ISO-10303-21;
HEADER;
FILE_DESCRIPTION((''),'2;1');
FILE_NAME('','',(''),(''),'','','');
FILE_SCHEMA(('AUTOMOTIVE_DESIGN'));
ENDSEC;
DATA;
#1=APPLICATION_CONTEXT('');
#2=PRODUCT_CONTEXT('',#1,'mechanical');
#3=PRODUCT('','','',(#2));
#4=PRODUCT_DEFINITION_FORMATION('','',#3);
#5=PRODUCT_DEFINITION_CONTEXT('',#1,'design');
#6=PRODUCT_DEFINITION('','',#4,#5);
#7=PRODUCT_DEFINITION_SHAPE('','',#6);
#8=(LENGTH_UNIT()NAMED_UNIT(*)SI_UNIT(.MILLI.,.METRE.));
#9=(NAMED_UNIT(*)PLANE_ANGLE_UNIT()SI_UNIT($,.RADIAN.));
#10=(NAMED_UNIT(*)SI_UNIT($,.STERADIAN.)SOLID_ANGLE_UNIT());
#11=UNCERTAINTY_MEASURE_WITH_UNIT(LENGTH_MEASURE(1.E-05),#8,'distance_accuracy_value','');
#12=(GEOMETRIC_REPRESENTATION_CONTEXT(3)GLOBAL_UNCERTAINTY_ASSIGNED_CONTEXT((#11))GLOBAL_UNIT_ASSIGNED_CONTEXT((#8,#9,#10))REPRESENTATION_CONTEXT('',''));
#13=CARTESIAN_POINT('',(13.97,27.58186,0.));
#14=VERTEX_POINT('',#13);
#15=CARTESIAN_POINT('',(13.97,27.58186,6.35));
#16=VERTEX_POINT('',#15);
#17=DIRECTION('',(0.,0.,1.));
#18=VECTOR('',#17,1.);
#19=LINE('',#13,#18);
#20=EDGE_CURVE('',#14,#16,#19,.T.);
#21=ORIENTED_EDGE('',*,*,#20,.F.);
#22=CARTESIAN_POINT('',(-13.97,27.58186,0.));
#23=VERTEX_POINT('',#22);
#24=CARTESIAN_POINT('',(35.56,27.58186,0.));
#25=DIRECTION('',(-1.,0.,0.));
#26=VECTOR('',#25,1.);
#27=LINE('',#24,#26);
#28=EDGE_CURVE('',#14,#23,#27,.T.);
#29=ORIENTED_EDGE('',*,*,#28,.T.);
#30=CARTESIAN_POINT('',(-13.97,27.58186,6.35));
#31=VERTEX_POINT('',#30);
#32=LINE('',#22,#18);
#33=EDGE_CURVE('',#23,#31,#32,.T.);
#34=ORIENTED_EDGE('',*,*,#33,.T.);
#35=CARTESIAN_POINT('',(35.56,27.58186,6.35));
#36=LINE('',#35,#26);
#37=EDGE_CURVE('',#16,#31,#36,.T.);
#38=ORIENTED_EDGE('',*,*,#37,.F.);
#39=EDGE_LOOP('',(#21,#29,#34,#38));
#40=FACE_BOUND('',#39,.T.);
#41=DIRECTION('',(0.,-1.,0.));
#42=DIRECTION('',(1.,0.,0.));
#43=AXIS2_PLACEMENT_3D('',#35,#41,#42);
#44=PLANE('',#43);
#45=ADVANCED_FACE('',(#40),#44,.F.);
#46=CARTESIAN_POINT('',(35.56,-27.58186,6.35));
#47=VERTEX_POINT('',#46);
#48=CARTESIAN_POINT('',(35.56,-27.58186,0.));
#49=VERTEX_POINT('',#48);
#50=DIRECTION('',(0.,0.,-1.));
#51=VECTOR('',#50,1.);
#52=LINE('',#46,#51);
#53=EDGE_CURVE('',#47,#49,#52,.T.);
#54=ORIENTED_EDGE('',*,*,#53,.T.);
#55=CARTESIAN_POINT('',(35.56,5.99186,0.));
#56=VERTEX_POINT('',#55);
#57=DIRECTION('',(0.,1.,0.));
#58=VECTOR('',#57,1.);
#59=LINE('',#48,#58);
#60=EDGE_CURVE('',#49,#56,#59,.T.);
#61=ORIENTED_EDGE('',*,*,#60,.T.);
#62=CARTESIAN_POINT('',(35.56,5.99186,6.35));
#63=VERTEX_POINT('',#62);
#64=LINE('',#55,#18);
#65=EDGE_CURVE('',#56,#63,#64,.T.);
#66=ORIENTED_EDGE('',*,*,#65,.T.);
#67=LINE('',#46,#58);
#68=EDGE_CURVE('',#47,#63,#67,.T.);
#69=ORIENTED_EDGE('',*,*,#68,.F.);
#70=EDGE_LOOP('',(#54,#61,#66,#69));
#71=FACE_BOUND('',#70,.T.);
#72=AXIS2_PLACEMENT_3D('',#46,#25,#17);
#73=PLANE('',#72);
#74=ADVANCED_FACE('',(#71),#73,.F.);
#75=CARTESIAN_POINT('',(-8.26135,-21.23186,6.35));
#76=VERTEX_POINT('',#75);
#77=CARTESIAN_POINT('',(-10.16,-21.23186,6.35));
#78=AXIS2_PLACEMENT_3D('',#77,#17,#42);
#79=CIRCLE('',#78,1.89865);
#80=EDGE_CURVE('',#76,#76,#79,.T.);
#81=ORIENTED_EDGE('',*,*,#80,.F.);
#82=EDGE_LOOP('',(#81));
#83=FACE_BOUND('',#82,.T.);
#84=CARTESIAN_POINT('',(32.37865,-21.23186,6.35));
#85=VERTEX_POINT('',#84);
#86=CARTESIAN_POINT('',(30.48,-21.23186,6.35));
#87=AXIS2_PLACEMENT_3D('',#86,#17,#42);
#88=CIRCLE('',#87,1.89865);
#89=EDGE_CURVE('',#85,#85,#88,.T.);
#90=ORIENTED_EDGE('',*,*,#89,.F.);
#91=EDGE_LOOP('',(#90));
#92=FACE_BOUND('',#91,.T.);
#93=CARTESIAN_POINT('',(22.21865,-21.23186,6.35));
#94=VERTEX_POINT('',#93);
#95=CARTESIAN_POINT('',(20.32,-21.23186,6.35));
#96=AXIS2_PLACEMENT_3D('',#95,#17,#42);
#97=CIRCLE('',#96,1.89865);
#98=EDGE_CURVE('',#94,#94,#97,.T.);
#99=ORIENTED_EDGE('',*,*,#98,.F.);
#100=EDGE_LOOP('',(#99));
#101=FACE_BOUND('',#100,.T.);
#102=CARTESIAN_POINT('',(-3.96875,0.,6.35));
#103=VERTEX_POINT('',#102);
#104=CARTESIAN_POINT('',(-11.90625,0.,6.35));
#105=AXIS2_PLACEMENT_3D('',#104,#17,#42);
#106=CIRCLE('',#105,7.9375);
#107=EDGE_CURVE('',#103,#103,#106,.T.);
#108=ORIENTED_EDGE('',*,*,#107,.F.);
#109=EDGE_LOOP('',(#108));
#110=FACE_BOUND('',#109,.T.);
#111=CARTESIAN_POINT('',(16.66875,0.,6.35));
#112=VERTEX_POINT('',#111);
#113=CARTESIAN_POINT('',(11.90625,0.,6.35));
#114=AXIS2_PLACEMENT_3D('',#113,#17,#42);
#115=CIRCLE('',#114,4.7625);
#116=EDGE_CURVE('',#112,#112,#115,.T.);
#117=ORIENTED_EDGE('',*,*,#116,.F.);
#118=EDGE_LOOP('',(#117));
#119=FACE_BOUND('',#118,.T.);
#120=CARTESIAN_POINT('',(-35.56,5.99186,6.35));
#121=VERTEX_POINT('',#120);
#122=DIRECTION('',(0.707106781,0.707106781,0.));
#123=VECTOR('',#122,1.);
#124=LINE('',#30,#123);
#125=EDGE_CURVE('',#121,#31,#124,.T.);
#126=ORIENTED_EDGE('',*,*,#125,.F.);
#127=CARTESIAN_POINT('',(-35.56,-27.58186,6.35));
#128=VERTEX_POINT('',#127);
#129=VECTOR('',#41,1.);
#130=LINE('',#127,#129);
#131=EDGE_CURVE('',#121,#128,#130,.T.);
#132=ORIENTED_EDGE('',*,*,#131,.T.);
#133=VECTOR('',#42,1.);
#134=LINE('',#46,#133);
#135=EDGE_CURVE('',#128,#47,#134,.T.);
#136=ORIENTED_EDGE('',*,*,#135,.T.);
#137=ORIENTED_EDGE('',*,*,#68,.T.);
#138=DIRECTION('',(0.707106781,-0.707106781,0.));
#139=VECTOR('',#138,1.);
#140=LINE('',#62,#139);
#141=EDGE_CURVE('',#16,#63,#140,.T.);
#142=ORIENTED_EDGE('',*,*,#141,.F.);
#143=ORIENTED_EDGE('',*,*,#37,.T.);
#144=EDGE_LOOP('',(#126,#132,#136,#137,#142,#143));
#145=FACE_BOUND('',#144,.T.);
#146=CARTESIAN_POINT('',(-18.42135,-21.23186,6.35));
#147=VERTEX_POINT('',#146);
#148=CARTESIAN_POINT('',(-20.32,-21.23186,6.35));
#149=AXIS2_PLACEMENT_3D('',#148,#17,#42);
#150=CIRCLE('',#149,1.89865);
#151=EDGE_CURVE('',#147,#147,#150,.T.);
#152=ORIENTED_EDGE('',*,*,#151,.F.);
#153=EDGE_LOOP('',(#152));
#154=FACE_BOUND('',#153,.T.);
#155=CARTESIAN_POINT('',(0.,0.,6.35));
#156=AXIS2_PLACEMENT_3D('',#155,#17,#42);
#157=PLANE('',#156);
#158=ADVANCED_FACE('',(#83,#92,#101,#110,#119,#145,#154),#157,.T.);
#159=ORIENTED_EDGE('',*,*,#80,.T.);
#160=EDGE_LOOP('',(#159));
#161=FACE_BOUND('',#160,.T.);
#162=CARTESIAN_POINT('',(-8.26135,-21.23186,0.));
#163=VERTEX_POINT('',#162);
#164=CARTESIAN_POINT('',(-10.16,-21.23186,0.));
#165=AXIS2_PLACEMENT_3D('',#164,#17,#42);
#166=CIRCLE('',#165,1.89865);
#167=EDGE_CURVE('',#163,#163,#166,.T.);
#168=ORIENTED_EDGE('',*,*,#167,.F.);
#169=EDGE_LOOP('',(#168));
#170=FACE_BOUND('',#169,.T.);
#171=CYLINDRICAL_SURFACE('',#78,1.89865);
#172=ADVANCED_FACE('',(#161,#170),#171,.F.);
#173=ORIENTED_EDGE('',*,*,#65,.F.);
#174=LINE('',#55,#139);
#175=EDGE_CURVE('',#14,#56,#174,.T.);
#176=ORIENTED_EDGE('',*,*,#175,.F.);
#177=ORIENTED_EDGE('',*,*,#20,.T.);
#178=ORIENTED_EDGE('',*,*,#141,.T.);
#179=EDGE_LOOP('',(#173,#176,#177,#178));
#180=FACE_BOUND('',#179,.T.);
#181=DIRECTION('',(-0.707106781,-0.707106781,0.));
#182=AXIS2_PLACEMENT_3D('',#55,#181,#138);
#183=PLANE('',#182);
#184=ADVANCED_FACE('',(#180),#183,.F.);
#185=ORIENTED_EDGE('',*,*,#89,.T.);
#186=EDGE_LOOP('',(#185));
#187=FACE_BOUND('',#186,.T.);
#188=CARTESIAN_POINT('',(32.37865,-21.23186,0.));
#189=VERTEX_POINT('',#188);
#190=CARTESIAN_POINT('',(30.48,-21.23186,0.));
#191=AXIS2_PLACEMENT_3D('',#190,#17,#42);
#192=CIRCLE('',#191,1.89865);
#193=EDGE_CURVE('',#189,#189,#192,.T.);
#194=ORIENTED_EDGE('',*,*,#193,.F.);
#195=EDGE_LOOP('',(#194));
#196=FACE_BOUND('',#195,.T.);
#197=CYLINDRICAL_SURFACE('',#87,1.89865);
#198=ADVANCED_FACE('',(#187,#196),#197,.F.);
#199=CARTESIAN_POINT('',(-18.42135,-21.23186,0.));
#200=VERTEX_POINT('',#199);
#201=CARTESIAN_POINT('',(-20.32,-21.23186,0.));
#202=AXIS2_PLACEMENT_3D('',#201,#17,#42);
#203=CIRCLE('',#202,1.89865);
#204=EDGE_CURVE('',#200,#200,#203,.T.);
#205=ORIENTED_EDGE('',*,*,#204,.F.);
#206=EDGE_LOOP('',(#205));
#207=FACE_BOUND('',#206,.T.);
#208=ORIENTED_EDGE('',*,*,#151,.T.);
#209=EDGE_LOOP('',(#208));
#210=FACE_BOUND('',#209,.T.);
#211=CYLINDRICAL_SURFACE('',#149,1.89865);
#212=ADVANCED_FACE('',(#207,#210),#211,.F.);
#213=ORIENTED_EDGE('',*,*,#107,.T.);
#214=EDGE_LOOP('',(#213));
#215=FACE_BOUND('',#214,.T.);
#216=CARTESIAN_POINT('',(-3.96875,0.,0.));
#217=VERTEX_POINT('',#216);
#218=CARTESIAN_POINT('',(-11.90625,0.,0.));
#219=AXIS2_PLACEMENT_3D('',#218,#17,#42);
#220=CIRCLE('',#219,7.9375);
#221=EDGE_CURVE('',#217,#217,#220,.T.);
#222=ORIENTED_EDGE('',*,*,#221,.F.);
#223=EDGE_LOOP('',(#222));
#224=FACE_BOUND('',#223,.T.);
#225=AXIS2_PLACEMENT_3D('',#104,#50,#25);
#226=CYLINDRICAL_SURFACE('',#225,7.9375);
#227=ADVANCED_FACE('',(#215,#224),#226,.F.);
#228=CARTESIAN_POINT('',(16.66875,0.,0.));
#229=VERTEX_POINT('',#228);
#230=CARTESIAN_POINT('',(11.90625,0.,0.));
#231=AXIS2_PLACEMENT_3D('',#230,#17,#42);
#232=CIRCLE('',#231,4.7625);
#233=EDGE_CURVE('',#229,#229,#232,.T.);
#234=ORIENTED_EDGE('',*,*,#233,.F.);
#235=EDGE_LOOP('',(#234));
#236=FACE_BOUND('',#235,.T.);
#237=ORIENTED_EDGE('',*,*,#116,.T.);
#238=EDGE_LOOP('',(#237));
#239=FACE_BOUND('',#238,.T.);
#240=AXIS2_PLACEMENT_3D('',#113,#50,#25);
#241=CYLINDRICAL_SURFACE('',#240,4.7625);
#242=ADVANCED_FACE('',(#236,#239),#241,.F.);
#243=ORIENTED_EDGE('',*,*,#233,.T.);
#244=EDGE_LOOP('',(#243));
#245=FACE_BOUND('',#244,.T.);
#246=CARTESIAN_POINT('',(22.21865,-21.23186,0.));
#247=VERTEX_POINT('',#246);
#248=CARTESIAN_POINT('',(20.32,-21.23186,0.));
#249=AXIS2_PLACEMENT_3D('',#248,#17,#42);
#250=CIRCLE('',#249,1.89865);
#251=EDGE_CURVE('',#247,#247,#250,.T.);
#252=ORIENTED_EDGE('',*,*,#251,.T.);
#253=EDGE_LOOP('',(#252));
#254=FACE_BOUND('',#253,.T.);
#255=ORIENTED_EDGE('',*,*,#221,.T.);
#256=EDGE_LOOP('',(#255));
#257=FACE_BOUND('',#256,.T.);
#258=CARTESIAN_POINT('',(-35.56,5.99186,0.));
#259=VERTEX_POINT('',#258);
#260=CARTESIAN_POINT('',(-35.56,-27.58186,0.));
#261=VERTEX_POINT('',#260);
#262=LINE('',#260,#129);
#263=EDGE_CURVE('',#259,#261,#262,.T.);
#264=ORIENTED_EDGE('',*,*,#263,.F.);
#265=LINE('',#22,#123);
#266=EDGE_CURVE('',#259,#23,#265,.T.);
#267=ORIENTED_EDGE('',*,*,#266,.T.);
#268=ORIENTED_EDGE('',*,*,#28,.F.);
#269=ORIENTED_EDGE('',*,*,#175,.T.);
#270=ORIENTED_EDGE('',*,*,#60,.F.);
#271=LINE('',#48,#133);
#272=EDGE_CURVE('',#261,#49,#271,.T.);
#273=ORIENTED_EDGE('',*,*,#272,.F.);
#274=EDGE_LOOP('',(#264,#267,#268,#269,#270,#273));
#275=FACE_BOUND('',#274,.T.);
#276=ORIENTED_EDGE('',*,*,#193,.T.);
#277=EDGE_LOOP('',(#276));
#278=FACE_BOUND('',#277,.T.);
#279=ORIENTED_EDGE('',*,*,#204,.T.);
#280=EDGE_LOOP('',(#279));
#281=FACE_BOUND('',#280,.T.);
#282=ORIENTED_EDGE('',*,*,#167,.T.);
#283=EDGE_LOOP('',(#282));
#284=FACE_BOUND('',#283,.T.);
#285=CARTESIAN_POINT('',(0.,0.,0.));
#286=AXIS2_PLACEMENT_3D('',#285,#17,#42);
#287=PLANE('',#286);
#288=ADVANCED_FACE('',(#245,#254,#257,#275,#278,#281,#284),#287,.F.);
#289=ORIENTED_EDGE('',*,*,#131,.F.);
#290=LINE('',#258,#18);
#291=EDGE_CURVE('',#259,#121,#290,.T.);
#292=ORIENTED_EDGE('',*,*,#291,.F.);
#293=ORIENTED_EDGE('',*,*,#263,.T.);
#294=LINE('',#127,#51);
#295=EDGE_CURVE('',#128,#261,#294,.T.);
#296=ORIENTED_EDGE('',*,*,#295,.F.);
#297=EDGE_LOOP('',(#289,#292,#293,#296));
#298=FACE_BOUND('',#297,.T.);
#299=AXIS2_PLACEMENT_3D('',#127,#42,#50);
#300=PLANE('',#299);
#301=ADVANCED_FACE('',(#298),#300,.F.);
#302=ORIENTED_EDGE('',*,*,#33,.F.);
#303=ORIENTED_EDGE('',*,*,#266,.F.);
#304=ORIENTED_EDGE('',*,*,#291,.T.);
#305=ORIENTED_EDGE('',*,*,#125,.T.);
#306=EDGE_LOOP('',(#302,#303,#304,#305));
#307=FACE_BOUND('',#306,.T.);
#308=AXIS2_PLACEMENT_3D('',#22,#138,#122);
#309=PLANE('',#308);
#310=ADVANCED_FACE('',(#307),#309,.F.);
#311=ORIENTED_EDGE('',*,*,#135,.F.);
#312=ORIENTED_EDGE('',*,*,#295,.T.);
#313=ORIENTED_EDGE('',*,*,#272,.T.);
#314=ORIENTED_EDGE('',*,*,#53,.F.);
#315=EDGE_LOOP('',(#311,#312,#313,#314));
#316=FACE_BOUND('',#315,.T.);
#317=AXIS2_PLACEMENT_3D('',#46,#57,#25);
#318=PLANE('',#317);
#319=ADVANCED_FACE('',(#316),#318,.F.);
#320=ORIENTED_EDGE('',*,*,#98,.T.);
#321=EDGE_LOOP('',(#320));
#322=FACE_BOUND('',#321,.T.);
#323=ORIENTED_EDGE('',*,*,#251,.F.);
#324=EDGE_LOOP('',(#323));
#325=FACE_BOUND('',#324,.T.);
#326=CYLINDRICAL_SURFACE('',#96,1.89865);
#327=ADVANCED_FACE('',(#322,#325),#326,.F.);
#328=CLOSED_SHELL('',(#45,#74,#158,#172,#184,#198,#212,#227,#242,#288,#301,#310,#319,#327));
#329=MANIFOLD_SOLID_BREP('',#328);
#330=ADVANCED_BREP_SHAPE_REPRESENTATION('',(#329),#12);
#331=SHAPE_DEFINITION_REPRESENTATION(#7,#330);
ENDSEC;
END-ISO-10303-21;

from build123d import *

# Parameters (mm, degrees)
SKETCH1_W             = 71.12
SKETCH1_H             = 55.16372
SKETCH1_R             = 4.7625
SKETCH1_R_2           = 7.9375
BOSS_EXTRUDE1_DEPTH   = 6.35
F_6_CLEARANCE_HOLE1_D = 3.7973
CUT_EXTRUDE1_DEPTH    = 46.448818478


with BuildPart() as part:
    # Sketch1 → Boss-Extrude1 (new body)
    with BuildSketch(Plane.XY):
        Rectangle(SKETCH1_W, SKETCH1_H)
        with Locations((11.90625, 0)):
            Circle(SKETCH1_R, mode=Mode.SUBTRACT)
        with Locations((-11.90625, 0)):
            Circle(SKETCH1_R_2, mode=Mode.SUBTRACT)
    extrude(amount=BOSS_EXTRUDE1_DEPTH)

    # #6 Clearance Hole1 (through all)
    with Locations(Plane.XY.offset(6.35)):
        with Locations((-20.32, -21.23186), (-10.16, -21.23186), (20.32, -21.23186), (30.48, -21.23186)):
            Hole(F_6_CLEARANCE_HOLE1_D / 2)

    # Sketch4 → Cut-Extrude1 (cut, through all)
    with BuildSketch(Plane.XY.offset(6.35)):
        Polygon((-35.56, 5.99186), (-35.56, 27.58186), (-13.97, 27.58186), align=None)
        Polygon((13.97, 27.58186), (35.56, 27.58186), (35.56, 5.99186), align=None)
    extrude(amount=-CUT_EXTRUDE1_DEPTH, mode=Mode.SUBTRACT)


solid = part.part
